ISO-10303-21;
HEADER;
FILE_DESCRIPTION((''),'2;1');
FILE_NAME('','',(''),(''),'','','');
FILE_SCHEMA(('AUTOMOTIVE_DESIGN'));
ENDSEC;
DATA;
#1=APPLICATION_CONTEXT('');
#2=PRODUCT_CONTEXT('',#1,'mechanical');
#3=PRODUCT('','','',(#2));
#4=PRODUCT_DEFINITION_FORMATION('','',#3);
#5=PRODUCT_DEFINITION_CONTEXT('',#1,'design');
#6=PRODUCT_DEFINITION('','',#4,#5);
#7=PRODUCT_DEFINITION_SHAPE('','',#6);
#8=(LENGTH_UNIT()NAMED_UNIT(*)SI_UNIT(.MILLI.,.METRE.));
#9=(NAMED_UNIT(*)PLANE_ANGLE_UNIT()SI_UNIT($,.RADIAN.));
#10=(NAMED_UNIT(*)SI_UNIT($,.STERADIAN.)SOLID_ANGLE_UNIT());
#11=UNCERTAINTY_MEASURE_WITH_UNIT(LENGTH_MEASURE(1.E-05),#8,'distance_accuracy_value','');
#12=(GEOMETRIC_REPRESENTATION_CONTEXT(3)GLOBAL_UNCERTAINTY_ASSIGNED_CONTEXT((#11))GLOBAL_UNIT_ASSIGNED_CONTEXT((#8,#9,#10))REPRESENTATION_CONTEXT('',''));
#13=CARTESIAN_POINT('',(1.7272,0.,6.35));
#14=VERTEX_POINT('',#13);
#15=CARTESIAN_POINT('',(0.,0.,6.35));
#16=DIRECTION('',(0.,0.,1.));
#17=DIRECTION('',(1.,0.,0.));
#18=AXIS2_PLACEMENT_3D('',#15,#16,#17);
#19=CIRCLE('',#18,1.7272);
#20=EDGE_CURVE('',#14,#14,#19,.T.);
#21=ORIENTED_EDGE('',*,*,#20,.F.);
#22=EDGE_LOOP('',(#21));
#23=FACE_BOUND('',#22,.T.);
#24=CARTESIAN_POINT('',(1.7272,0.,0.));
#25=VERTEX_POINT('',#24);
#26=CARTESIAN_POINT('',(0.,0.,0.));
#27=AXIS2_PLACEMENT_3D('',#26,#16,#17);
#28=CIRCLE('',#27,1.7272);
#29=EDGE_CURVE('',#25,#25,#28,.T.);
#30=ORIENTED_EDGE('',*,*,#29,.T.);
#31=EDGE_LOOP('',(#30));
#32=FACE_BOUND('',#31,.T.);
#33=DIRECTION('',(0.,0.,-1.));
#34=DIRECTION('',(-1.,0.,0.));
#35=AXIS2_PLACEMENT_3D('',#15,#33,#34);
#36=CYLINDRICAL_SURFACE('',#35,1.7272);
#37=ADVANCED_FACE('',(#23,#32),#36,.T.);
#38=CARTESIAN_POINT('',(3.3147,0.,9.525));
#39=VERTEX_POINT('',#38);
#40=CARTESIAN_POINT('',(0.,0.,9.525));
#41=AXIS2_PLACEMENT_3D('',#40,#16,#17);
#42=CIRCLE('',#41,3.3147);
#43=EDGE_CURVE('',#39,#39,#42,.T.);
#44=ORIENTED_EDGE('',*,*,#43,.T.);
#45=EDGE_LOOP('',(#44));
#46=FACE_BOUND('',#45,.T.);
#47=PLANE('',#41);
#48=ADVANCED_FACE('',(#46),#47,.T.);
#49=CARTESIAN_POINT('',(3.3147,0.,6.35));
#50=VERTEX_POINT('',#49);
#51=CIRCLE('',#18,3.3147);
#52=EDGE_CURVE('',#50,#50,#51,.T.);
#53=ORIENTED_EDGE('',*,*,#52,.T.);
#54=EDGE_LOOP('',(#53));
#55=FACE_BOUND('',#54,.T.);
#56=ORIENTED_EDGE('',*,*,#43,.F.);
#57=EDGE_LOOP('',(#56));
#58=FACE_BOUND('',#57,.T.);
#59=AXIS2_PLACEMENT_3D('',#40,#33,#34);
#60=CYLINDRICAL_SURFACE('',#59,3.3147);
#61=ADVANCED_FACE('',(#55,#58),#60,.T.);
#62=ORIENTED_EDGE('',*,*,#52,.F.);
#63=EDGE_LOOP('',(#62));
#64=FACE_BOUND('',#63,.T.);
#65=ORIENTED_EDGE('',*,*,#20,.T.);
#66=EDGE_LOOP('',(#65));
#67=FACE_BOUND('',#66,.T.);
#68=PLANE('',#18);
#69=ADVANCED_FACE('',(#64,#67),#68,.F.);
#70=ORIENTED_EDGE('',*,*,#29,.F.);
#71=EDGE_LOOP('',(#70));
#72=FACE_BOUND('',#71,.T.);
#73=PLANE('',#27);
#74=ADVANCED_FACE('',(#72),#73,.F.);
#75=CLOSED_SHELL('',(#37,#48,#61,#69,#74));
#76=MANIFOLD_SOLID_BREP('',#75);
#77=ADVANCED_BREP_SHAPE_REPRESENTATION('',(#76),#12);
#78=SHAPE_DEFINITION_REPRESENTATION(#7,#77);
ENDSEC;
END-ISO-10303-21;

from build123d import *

# Parameters (mm, degrees)
SKETCH1_R           = 1.7272
BOSS_EXTRUDE1_DEPTH = 6.35
SKETCH2_R           = 3.3147
BOSS_EXTRUDE2_DEPTH = 3.175


with BuildPart() as part:
    # Sketch1 → Boss-Extrude1 (new body)
    with BuildSketch(Plane.XY):
        Circle(SKETCH1_R)
    extrude(amount=BOSS_EXTRUDE1_DEPTH)

    # Sketch2 → Boss-Extrude2 (add)
    with BuildSketch(Plane.XY.offset(6.35)):
        Circle(SKETCH2_R)
    extrude(amount=BOSS_EXTRUDE2_DEPTH)


solid = part.part
